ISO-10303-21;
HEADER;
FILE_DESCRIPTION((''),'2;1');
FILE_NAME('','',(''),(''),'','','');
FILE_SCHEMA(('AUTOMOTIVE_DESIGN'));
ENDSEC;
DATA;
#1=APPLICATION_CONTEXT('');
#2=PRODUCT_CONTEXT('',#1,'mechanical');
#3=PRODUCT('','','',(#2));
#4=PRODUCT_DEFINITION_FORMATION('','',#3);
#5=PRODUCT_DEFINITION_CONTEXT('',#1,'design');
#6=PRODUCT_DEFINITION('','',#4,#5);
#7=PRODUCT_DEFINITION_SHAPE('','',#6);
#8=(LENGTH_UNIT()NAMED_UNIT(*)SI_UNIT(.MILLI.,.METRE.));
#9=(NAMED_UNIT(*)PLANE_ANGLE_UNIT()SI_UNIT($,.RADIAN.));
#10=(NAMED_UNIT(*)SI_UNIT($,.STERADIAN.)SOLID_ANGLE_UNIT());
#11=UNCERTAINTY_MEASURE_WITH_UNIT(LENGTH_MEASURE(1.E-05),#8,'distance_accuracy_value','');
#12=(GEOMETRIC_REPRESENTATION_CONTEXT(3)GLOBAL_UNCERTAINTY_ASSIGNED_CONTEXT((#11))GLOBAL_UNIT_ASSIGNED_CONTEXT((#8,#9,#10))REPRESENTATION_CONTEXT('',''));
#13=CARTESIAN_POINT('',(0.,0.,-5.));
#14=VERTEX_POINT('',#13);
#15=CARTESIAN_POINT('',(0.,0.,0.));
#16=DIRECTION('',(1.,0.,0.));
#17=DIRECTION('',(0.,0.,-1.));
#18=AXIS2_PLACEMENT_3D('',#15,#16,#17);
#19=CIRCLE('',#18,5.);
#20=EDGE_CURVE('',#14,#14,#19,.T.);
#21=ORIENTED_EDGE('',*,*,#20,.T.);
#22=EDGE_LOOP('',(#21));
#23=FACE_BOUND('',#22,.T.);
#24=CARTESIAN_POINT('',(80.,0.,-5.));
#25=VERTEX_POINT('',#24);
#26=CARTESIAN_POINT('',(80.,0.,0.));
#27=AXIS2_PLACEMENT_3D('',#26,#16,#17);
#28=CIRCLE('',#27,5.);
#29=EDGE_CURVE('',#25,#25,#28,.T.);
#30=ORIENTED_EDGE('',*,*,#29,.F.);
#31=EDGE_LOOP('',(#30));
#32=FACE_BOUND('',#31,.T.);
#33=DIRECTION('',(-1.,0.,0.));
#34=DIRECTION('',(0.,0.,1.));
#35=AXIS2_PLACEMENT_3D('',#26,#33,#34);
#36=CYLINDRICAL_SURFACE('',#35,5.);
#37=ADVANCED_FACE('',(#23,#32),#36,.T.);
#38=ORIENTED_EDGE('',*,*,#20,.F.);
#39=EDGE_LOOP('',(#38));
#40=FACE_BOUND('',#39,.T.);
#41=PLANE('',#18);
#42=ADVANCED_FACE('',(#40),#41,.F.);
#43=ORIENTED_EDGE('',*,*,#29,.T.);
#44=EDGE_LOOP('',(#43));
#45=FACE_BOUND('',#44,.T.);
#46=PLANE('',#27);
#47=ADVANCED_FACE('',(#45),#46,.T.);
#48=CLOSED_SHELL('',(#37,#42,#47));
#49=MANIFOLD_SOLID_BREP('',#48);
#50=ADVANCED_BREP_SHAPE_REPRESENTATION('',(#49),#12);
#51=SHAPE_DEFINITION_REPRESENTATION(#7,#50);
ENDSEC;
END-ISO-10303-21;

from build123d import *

# Parameters (mm, degrees)
SKETCH1_R           = 5
BOSS_EXTRUDE1_DEPTH = 80


with BuildPart() as part:
    # Sketch1 → Boss-Extrude1 (new body)
    with BuildSketch(Plane(origin=(0, 0, 0), x_dir=(0, 0, -1), z_dir=(1, 0, 0))):
        Circle(SKETCH1_R)
    extrude(amount=BOSS_EXTRUDE1_DEPTH)


solid = part.part
